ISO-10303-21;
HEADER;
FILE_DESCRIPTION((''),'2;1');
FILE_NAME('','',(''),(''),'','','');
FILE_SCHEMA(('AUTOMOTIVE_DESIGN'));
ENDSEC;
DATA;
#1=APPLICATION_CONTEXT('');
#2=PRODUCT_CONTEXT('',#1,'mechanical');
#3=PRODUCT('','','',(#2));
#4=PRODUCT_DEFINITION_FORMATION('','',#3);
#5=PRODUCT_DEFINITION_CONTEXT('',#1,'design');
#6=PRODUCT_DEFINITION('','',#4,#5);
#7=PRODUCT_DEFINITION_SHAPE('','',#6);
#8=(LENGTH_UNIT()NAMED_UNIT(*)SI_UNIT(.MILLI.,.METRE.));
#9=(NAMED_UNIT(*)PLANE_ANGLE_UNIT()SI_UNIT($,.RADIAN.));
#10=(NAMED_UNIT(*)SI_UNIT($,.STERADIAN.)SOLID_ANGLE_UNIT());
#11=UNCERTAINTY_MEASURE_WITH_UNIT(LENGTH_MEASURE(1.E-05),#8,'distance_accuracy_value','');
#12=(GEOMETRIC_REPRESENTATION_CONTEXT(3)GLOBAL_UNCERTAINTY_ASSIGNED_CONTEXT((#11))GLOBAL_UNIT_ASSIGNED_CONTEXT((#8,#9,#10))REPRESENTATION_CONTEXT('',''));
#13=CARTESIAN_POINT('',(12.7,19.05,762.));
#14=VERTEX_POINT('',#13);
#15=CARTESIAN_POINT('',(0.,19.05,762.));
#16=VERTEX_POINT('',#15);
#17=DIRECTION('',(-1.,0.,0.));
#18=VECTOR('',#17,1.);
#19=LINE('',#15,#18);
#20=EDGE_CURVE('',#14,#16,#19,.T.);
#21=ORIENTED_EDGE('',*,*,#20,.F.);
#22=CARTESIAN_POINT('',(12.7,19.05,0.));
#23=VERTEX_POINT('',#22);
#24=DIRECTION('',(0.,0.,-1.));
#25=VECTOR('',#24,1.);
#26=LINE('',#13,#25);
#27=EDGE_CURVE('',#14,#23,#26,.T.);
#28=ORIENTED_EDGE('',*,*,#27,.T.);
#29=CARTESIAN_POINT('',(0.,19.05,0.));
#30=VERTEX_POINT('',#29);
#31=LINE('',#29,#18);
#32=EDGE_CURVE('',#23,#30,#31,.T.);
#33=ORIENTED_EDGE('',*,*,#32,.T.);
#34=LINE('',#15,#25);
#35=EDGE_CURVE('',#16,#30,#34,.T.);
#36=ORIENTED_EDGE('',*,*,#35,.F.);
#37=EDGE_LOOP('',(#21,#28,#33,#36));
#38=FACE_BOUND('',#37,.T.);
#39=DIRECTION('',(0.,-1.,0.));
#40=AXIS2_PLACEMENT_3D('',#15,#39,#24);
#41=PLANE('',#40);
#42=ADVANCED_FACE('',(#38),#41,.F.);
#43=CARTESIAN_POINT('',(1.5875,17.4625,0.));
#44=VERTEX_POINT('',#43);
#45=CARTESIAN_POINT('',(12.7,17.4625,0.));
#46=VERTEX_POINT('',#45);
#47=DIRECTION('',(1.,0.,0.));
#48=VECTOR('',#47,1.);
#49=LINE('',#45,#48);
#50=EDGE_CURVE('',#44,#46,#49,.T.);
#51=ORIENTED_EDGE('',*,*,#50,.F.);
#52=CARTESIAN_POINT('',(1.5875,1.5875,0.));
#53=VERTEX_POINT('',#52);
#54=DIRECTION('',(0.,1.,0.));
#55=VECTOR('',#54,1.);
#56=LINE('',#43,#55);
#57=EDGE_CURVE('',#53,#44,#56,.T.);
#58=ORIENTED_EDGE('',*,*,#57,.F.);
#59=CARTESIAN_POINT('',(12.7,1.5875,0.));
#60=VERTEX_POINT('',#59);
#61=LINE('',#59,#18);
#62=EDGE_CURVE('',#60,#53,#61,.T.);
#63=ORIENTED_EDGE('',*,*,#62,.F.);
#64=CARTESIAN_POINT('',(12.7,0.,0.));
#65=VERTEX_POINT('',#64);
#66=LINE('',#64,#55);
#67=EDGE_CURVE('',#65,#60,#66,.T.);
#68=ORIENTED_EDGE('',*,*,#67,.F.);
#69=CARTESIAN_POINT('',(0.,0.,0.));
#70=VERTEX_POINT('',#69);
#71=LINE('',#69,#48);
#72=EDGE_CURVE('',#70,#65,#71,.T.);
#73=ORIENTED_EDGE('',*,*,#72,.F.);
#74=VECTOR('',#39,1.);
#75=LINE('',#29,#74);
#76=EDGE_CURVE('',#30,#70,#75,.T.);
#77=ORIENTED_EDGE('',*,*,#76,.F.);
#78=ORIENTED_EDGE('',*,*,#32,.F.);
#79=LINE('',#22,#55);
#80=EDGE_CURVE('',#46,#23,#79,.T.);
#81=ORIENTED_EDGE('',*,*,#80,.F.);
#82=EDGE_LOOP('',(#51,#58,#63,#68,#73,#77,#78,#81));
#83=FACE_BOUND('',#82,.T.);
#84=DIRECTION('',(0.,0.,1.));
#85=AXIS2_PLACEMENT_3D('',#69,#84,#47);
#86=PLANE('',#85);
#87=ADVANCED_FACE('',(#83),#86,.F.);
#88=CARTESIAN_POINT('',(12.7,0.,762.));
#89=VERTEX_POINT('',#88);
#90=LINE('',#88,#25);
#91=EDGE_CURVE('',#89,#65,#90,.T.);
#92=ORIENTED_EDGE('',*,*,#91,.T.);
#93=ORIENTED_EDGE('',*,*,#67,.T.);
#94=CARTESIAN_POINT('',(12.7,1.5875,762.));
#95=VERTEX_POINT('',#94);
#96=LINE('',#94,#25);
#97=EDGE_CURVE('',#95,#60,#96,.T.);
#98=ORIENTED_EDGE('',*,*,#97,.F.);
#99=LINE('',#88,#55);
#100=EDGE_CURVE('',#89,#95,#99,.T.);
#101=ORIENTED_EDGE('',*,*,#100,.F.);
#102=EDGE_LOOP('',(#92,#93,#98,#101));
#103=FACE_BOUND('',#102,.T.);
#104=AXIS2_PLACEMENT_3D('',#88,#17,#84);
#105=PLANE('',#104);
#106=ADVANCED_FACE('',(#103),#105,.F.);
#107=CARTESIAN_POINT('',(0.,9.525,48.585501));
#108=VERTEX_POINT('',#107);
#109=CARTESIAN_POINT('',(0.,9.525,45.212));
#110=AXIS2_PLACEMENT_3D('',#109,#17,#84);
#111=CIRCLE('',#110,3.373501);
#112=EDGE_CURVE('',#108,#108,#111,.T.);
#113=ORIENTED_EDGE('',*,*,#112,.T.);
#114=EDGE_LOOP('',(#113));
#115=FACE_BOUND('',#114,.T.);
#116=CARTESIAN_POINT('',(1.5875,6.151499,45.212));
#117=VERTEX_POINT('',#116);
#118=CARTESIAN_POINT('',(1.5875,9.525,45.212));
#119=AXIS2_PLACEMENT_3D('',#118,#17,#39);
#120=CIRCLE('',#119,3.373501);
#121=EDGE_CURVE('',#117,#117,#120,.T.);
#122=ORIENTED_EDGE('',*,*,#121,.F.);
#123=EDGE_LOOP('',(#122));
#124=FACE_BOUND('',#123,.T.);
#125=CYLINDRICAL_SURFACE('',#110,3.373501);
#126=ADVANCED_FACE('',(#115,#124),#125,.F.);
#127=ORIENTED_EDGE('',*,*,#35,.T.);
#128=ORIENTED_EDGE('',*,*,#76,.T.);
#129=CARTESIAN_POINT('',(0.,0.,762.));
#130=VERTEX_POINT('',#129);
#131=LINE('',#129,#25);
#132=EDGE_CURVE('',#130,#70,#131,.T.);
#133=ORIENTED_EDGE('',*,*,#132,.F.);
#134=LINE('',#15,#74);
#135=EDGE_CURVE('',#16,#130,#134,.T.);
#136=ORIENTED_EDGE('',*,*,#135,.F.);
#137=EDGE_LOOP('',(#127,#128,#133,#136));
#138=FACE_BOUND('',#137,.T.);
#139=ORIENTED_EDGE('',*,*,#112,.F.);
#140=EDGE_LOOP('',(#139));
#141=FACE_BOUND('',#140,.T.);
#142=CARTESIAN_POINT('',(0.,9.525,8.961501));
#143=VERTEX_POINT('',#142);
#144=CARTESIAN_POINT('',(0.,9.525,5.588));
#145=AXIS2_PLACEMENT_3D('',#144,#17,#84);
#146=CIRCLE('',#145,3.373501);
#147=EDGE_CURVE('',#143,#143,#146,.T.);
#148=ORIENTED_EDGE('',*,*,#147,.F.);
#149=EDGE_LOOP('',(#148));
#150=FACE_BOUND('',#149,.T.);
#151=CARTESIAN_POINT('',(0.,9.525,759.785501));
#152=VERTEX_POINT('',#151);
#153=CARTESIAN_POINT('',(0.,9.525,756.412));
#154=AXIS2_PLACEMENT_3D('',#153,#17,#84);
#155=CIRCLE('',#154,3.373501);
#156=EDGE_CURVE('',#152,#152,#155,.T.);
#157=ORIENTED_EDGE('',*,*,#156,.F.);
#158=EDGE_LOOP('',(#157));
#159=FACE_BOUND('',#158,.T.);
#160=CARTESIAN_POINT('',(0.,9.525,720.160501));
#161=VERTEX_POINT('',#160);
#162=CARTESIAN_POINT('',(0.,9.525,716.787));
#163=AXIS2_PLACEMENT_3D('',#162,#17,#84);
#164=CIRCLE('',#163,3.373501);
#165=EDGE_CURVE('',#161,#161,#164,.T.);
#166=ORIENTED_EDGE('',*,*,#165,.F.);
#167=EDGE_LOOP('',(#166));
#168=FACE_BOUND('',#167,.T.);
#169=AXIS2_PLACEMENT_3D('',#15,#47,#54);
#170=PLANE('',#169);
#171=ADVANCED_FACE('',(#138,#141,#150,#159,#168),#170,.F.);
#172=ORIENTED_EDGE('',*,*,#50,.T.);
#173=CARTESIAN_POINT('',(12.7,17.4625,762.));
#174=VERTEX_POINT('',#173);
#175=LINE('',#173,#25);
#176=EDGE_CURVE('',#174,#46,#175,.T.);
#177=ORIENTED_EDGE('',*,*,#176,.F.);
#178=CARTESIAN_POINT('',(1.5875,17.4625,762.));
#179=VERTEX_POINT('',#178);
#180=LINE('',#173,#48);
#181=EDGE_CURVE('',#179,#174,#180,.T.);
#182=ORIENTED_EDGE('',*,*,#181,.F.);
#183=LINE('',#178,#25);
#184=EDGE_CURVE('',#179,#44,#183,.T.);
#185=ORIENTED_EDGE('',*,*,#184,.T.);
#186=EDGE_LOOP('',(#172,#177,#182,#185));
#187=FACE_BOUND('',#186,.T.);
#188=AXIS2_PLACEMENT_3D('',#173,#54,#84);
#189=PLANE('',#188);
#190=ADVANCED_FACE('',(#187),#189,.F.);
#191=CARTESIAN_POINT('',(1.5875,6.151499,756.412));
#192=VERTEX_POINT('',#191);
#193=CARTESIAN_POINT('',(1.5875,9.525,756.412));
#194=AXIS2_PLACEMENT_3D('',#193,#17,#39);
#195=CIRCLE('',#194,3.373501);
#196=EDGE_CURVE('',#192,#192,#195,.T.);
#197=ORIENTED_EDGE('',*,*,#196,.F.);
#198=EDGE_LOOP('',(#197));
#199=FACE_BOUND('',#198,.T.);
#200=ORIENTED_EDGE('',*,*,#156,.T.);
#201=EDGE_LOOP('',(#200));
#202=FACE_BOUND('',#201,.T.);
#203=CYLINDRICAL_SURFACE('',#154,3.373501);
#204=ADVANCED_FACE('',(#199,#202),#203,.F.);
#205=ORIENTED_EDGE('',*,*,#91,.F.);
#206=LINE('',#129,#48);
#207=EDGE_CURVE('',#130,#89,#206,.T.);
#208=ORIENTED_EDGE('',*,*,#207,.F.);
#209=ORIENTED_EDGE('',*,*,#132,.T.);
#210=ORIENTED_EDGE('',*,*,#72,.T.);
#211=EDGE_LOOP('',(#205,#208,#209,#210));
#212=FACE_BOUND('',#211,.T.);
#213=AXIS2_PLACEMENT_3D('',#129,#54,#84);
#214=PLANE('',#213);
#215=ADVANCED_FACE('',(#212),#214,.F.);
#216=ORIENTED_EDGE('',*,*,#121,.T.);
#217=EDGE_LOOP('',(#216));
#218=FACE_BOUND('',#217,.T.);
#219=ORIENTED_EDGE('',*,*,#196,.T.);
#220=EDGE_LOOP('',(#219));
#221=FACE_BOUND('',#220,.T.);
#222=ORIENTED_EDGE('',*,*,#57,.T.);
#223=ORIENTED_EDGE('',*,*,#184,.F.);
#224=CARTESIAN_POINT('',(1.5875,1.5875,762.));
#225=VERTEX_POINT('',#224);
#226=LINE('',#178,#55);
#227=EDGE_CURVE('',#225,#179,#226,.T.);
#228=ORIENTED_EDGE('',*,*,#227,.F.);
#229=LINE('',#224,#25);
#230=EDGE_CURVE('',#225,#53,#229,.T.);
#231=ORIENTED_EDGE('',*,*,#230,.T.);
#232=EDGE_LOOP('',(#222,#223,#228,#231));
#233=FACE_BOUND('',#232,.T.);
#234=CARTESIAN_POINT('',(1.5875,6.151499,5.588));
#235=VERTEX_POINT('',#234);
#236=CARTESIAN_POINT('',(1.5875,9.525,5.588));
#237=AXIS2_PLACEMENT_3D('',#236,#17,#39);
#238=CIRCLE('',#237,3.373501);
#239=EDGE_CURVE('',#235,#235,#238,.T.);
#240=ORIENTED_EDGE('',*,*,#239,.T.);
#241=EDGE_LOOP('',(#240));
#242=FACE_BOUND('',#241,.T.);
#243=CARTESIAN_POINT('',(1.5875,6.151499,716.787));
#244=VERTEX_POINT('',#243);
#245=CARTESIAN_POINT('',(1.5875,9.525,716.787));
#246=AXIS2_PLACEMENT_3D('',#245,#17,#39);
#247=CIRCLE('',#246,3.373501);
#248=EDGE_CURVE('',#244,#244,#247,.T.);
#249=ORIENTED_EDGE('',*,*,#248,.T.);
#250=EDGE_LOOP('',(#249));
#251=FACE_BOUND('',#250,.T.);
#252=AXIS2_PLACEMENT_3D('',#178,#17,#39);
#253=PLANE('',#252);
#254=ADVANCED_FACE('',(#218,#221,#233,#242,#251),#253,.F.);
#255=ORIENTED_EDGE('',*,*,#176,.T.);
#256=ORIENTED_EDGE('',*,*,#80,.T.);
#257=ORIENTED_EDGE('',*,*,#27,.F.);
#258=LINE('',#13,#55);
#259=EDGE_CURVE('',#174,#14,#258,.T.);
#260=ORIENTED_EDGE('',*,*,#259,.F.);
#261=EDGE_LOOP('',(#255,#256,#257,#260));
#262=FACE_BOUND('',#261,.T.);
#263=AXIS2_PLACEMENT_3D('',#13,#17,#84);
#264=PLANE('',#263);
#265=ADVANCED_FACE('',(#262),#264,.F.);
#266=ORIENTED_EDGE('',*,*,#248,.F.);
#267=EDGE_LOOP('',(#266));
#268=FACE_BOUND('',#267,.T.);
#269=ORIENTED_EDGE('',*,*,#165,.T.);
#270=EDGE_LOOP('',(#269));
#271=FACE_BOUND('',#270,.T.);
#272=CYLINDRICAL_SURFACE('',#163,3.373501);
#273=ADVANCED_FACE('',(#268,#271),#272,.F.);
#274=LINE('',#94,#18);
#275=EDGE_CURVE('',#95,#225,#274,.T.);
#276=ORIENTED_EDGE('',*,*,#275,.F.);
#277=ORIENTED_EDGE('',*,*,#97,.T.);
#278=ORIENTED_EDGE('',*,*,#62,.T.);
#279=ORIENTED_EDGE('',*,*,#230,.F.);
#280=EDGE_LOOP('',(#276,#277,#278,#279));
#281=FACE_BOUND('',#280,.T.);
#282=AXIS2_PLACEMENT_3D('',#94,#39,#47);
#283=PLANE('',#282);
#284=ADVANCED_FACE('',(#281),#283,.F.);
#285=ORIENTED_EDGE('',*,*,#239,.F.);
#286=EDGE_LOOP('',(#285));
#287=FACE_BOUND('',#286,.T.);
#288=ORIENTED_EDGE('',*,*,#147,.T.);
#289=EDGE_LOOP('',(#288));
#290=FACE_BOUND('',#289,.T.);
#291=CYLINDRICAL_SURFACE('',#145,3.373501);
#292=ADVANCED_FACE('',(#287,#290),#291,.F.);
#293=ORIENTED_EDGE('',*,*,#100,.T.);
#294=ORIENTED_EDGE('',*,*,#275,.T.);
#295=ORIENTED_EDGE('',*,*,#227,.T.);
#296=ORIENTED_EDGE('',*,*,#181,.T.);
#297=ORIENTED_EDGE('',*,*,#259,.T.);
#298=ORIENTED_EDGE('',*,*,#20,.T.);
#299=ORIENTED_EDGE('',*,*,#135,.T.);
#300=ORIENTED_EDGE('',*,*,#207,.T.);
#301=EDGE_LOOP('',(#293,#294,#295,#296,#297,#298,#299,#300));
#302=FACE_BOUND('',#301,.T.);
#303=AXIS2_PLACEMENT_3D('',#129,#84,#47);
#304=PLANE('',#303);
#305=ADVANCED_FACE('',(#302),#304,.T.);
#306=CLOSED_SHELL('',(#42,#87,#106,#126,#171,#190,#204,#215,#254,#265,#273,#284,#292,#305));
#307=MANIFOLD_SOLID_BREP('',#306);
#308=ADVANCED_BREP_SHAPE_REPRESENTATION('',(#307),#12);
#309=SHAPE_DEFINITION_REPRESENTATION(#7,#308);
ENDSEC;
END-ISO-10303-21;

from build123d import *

# Parameters (mm, degrees)
BOSS_EXTRUDE1_DEPTH              = 762
F_17_64_0_26563_DIAMETER_HOLE1_D = 6.747002


with BuildPart() as part:
    # Sketch1 → Boss-Extrude1 (new body)
    with BuildSketch(Plane.XY):
        Polygon((0, 0), (12.7, 0), (12.7, 1.5875), (1.5875, 1.5875), (1.5875, 17.4625), (12.7, 17.4625), (12.7, 19.05), (0, 19.05), align=None)
    extrude(amount=BOSS_EXTRUDE1_DEPTH)

    # 17/64 (0.26563) Diameter Hole1 (through all)
    with Locations(Plane(origin=(0, 9.525, 5.588), x_dir=(0, -1, 0), z_dir=(-1, 0, 0))):
        with Locations((0, 0), (0, 39.624), (0, 711.199), (0, 750.824)):
            Hole(F_17_64_0_26563_DIAMETER_HOLE1_D / 2)


solid = part.part
